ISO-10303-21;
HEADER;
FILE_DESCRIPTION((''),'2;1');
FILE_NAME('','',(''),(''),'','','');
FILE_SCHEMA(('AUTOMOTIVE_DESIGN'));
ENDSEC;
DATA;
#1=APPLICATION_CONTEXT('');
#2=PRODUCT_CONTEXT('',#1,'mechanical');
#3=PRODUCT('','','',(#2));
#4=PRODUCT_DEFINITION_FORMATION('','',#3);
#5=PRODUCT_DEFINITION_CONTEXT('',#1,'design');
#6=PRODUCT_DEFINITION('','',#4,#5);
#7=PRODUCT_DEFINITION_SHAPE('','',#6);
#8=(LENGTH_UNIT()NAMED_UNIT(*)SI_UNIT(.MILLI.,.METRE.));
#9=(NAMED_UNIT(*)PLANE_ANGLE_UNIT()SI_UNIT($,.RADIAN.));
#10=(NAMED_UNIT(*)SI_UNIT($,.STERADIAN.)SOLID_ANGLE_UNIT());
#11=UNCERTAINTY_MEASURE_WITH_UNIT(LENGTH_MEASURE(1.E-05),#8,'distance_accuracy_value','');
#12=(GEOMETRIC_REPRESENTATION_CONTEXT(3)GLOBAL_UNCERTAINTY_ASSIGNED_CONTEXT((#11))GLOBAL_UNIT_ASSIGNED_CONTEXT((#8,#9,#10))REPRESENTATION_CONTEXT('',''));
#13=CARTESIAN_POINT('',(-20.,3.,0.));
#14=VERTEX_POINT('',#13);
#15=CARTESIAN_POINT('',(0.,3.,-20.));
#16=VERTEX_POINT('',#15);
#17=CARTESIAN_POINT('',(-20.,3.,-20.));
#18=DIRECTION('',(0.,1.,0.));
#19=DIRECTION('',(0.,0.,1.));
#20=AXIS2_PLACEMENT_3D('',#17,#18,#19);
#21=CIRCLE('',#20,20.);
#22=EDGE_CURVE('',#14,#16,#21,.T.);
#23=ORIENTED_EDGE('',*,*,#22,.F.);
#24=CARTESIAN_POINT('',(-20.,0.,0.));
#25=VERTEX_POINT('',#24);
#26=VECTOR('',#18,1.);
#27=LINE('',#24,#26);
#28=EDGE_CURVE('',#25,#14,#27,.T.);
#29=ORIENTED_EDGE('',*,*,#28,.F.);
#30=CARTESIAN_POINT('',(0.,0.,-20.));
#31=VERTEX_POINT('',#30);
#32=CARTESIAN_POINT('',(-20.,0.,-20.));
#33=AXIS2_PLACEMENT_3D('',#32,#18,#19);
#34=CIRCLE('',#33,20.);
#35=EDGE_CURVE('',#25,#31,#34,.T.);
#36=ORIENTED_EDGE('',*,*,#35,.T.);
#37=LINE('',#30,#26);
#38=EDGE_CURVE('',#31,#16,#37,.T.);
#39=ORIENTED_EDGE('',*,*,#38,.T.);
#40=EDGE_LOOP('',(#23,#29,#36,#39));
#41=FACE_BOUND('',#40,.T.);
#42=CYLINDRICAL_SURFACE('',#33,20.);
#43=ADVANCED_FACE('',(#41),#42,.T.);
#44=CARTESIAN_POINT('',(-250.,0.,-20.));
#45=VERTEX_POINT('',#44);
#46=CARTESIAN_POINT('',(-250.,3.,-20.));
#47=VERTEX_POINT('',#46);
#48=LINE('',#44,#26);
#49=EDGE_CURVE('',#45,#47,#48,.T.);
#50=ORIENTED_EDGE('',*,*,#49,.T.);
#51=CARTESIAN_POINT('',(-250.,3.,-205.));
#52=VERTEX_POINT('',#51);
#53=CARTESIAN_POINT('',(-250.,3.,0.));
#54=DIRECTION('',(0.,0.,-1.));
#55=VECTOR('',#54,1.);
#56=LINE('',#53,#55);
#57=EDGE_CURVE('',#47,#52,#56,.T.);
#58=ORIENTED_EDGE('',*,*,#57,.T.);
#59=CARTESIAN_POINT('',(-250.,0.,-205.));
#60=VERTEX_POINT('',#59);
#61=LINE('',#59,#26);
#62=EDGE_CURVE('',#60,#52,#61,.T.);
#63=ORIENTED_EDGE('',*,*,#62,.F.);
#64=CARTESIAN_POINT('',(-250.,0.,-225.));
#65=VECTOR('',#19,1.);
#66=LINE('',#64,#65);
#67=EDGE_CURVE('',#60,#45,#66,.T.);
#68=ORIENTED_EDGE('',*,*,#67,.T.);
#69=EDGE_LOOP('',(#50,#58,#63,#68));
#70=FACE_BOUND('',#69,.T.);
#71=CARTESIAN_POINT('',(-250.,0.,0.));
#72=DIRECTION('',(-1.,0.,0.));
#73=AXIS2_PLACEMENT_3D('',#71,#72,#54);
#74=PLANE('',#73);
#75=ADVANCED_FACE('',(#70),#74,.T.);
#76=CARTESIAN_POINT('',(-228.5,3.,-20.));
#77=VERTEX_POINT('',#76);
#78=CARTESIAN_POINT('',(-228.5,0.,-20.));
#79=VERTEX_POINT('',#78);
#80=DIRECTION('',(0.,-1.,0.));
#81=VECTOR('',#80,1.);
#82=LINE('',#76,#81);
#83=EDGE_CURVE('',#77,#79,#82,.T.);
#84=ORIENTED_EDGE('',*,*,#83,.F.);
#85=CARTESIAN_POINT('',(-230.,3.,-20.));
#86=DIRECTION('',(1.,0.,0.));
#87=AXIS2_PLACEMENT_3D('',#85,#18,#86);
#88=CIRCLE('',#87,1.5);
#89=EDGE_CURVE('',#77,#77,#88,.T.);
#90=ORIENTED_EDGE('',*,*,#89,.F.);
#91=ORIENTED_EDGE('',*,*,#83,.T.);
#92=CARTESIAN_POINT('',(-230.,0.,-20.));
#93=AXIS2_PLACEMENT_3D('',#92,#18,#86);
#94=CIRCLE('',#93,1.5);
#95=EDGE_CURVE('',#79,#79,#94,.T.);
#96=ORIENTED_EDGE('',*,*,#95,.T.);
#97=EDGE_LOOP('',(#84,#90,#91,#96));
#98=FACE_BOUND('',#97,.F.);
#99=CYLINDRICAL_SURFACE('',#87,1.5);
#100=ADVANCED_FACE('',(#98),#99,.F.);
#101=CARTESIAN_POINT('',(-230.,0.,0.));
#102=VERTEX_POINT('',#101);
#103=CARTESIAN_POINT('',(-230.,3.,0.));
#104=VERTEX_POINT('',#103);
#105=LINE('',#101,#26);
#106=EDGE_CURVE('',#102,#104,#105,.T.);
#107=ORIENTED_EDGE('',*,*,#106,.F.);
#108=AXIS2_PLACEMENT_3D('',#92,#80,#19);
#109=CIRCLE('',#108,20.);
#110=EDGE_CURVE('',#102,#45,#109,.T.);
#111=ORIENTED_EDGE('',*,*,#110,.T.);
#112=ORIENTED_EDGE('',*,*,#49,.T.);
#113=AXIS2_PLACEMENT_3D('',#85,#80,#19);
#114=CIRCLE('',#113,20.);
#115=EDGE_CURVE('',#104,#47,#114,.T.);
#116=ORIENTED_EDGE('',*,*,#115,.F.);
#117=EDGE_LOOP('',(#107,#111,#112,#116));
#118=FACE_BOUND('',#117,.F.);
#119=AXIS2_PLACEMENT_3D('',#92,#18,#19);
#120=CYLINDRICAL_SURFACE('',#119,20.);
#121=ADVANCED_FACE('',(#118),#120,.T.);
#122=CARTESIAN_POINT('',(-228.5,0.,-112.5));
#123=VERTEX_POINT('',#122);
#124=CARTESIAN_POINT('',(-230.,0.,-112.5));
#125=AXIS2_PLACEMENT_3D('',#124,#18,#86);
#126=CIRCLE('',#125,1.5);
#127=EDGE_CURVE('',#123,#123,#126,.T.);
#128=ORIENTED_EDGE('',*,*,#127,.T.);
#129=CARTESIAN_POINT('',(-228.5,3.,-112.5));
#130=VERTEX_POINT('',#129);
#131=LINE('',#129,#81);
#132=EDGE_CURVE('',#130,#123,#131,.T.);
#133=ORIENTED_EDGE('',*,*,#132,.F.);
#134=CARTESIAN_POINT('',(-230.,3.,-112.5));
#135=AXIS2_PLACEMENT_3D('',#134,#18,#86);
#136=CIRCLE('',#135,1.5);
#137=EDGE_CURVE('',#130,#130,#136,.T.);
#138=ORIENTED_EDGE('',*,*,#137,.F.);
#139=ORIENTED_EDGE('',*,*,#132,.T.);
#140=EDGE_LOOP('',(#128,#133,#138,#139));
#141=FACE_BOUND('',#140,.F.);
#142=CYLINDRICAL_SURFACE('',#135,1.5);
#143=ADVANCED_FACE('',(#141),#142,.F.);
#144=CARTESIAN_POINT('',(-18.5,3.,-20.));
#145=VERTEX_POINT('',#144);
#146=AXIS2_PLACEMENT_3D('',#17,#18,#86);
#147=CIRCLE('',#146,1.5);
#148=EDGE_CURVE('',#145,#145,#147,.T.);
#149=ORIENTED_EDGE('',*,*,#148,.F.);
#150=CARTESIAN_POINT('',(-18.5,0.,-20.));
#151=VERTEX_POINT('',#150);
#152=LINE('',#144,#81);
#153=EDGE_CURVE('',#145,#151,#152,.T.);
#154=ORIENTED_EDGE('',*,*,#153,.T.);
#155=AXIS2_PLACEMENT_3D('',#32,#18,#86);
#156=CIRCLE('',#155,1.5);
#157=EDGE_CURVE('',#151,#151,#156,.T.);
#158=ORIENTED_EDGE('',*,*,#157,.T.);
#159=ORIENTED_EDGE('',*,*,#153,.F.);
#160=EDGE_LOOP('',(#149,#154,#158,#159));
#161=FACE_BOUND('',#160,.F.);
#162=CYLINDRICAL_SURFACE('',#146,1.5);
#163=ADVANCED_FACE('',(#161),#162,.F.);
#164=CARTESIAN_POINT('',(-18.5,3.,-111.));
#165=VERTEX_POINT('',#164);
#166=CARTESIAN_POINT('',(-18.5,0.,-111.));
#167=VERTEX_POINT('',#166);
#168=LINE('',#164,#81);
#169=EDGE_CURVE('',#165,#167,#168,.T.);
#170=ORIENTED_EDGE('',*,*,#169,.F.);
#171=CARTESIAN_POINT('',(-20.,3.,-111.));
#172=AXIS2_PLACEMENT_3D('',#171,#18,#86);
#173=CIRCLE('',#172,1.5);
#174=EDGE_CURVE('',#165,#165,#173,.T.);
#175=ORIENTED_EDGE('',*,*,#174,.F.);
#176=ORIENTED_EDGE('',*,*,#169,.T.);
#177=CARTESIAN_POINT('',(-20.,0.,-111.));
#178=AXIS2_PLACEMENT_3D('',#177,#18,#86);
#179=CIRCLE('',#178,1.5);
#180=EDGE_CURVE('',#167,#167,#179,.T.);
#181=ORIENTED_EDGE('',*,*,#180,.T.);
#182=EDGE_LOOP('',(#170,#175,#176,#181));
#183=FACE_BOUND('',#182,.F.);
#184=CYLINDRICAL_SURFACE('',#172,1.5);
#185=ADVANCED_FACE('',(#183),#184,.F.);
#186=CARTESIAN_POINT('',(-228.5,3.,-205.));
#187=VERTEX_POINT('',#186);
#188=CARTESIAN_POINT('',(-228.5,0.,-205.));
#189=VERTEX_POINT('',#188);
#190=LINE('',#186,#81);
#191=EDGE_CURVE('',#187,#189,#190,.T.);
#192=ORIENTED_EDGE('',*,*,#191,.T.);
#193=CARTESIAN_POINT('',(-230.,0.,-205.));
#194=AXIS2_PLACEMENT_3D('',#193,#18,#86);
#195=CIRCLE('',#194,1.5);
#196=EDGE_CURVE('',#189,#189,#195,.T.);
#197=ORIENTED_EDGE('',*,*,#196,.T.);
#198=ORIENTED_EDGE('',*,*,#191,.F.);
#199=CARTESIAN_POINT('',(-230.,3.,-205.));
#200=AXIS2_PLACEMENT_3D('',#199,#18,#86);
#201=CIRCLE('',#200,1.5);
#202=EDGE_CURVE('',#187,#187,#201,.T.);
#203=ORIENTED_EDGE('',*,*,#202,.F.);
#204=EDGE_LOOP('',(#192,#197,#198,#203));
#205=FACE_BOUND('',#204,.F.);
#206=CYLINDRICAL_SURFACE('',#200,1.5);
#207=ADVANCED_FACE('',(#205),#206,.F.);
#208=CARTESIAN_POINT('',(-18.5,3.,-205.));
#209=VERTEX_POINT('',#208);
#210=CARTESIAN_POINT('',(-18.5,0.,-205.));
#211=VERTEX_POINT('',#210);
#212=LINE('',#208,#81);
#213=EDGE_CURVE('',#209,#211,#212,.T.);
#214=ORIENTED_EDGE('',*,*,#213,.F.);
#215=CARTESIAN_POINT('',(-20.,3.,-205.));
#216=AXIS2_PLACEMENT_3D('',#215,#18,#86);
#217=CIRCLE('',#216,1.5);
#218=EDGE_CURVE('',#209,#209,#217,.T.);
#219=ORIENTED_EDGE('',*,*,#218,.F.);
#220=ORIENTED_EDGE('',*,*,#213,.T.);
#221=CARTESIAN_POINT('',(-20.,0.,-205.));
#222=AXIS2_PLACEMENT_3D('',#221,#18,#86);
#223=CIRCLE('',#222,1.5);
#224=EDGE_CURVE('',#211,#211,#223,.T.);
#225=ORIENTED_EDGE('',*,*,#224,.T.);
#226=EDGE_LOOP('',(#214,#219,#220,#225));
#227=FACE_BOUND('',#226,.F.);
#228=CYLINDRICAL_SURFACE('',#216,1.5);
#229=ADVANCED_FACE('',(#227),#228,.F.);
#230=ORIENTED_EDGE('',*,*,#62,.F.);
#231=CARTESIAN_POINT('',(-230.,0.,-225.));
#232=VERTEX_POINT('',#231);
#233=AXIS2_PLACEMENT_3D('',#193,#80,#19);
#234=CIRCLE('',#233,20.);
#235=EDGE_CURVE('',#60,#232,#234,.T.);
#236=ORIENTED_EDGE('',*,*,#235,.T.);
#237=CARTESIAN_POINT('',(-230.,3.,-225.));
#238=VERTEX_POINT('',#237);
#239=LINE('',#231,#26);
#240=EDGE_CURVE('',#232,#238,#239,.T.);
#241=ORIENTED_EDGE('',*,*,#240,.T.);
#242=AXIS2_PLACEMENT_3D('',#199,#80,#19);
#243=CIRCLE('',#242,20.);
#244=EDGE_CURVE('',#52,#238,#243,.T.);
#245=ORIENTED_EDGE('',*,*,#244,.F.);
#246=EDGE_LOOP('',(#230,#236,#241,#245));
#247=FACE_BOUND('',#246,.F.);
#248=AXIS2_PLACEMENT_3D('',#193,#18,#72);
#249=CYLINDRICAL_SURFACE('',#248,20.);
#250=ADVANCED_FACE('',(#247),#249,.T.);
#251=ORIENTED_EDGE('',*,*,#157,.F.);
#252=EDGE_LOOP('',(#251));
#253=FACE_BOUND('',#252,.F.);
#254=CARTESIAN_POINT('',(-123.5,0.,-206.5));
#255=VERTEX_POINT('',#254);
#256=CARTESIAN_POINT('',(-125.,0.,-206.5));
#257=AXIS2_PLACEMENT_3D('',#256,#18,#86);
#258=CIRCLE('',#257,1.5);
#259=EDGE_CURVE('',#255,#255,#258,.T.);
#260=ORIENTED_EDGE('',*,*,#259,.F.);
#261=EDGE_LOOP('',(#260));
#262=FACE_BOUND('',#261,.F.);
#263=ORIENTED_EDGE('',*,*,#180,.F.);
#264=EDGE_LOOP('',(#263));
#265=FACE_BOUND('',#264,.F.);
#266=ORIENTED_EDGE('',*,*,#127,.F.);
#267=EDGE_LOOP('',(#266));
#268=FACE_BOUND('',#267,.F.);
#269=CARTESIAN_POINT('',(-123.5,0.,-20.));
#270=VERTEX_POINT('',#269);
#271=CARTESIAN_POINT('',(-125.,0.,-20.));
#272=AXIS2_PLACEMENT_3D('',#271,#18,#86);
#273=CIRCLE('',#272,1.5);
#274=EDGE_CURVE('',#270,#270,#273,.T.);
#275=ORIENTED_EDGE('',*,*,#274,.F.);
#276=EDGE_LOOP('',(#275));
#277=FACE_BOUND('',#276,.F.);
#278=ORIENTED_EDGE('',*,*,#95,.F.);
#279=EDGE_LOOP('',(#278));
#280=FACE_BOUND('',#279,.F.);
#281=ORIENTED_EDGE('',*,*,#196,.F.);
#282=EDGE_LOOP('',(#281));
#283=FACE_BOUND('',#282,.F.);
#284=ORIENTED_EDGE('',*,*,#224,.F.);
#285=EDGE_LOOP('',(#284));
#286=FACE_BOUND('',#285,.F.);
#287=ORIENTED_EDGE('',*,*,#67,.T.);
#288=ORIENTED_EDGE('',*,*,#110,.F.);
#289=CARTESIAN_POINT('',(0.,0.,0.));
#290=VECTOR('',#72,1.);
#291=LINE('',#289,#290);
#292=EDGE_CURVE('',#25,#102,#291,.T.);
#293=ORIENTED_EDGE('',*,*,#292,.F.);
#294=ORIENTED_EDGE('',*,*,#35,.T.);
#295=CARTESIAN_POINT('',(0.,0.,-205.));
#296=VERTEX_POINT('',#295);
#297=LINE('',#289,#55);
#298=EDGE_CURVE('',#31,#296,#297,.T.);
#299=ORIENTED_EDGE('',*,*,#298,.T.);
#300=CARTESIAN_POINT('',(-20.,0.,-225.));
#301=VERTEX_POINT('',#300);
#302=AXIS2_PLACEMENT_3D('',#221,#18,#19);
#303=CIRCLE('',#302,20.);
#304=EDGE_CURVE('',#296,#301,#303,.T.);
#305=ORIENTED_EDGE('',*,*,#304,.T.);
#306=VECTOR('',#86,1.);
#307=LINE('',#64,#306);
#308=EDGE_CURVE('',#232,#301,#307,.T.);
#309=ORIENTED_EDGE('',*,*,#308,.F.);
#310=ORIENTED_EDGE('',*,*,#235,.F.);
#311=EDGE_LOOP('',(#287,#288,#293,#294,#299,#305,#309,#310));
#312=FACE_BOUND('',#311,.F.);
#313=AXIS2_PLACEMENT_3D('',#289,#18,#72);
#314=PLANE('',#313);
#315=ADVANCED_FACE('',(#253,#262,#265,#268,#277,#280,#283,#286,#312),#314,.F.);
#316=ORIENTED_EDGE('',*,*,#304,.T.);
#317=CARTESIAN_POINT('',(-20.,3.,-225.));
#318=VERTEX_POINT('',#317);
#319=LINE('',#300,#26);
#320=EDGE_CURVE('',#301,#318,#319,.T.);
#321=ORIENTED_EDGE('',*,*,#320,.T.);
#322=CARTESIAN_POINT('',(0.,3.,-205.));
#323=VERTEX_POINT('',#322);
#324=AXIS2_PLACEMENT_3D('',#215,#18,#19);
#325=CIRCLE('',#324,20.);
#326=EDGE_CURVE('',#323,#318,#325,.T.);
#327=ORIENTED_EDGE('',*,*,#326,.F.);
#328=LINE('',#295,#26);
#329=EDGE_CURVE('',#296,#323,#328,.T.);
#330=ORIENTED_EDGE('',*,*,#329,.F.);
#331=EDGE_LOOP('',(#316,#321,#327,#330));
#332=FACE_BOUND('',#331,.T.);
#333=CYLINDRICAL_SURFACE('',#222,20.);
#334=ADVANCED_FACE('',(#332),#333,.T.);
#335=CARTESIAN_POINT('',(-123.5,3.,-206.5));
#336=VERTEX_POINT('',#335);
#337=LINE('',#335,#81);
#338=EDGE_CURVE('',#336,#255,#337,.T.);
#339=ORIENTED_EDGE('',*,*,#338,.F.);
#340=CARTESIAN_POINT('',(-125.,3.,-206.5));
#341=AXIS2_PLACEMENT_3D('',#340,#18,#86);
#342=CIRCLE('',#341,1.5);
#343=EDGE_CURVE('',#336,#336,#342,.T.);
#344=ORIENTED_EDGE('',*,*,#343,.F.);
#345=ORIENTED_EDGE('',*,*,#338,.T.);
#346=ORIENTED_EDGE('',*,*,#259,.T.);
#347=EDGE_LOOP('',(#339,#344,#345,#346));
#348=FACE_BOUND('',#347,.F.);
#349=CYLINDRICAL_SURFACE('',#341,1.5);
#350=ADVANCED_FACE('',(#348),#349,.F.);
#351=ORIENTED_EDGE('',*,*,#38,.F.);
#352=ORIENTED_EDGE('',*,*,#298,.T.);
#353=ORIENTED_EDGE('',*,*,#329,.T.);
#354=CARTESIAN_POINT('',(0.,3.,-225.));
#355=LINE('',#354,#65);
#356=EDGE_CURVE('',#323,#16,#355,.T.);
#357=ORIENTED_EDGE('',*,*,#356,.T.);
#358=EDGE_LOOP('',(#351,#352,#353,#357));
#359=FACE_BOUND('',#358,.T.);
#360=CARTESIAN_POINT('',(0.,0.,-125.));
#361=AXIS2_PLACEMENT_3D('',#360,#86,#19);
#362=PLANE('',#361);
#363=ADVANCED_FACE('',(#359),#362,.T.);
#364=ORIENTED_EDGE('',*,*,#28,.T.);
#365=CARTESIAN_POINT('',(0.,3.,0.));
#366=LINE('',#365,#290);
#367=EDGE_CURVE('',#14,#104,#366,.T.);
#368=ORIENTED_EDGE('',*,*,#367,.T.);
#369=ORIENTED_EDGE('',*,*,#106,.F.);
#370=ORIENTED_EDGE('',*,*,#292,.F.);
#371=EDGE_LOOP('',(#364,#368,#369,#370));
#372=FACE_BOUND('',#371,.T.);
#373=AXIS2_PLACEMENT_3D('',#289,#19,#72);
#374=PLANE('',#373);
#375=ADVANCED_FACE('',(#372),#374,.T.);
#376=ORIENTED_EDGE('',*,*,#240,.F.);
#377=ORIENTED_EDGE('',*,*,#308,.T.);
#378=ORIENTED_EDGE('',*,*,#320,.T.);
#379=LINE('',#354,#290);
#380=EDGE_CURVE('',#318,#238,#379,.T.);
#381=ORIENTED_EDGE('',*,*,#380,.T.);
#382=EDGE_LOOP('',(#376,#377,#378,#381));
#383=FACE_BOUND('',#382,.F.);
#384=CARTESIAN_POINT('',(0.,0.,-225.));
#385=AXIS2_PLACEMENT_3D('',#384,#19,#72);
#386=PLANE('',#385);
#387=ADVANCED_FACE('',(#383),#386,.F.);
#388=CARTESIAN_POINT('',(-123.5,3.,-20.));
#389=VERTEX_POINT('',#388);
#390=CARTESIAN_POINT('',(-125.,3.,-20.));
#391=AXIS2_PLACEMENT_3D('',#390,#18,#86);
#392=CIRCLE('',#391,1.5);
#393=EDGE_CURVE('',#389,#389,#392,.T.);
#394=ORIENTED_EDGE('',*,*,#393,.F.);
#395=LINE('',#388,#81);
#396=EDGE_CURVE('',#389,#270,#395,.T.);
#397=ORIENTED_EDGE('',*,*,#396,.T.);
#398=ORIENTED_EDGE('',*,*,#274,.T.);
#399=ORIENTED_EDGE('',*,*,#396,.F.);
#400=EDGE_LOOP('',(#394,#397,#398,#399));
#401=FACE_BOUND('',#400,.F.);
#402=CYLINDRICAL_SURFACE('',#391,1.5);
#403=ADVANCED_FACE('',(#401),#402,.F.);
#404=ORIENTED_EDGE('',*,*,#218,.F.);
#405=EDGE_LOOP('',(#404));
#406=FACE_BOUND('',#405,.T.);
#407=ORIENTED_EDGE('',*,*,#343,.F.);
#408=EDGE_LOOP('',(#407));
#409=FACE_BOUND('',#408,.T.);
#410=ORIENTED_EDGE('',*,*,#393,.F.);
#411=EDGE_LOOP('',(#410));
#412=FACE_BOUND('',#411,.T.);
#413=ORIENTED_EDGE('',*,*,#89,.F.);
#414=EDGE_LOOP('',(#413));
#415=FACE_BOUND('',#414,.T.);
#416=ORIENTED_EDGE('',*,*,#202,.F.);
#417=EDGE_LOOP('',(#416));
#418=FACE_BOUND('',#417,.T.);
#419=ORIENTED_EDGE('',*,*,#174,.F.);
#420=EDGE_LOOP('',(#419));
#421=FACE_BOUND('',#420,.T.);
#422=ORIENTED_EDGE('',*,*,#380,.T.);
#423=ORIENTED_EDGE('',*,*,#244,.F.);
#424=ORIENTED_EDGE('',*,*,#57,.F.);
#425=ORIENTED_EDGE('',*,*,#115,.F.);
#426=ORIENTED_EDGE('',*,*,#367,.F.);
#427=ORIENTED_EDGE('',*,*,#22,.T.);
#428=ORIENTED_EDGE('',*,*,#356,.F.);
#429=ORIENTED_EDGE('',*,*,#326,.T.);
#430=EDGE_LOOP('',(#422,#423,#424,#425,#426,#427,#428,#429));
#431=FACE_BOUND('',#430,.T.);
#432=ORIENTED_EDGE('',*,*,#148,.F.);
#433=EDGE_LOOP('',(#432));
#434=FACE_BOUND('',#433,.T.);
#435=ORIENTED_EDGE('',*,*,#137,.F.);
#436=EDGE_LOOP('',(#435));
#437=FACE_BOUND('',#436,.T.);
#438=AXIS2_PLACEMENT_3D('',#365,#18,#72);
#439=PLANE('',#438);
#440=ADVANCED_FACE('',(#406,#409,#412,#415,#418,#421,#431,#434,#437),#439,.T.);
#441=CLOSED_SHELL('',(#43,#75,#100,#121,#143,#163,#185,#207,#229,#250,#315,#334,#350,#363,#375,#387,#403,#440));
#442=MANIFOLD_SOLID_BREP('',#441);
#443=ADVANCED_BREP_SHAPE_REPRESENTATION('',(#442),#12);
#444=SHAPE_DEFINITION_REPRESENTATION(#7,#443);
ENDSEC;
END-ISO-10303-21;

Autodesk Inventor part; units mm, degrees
ref_plane "YZ Plane" through (0, 0, 0) normal (1, 0, 0) x (0, 1, 0)
ref_plane "XZ Plane" through (0, 0, 0) normal (0, 1, 0) x (-1, 0, 0)
ref_plane "XY Plane" through (0, 0, 0) normal (0, 0, 1) x (1, 0, 0)
sketch "Sketch2" plane through (0, 0, 0) normal (0, 1, 0) x (-1, 0, 0)
  line L0 (0, 0) -> (250, 0)
  line L1 (250, 0) -> (250, -125)
  line L2 (0, -125) -> (0, 0)
  line L3 (125, 0) -> (125, -125) construction
  line L4 (125, -125) -> (200, -125)
  line L5 (200, -125) -> (200, -225)
  line L6 (200, -225) -> (125, -225)
  line L7 (125, -225) -> (125, -125) construction
  line L8 (125, -125) -> (50, -125)
  line L9 (50, -125) -> (50, -225)
  line L10 (50, -225) -> (125, -225)
  line L11 (125, -225) -> (125, -125) construction
  line L12 (200, -125) -> (250, -125)
  line L13 (0, -125) -> (50, -125)
  line L14 (250, 0) -> (0, 0)
  line L15 (0, 0) -> (0, -225)
  line L16 (0, -225) -> (250, -225)
  line L17 (250, -225) -> (250, 0)
  dimension "d36" = 250
  dimension "d37" = 125
  dimension "d38" = 75
  dimension "d39" = 100
  dimension "d40" = 75
  dimension "d41" = 100
extrude "Extrusion3" add sketch "Sketch2" along normal blind 3
fillet "Fillet4" radius 20 2 edges at (-250, 1.5, 0) (0, 1.5, 0)
fillet "Fillet6" radius 20 2 edges at (-250, 1.5, -225) (0, 1.5, -225)
sketch "Sketch4" plane through (0, 3, 0) normal (0, 1, 0) x (1, 0, 0)
  arc A0 (-20, 0) -> (0, 20) centre (-20, 20) ccw projected
  arc A1 (-250, 20) -> (-230, 0) centre (-230, 20) ccw projected
  arc A2 (-230, 225) -> (-250, 205) centre (-230, 205) ccw projected
  arc A3 (0, 205) -> (-20, 225) centre (-20, 205) ccw projected
  line L0 (-20, 20) -> (-20, 205) construction
  line L1 (-230, 20) -> (-230, 205) construction
  circle A4 centre (-230, 20) radius 1.5
  circle A5 centre (-20, 20) radius 1.5
  circle A6 centre (-20, 205) radius 1.5
  circle A7 centre (-230, 205) radius 1.5
  circle A8 centre (-125, 206.5) radius 1.5
  line L2 (-20, 225) -> (-230, 225) construction
  line L3 (-125, 225) -> (-125, 0) construction
  circle A9 centre (-125, 20) radius 1.5
  circle A10 centre (-230, 112.5) radius 1.5
  circle A11 centre (-20, 111) radius 1.5
  point P0 (0, 0)
  dimension "d65" = 3
  dimension "d67" = 3
  dimension "d68" = 3
  dimension "d70" = 3
  dimension "d72" = 3
  dimension "d73" = 3
  dimension "d74" = 3
  dimension "d75" = 3
extrude "Extrusion5" cut sketch "Sketch4" against normal blind 3
properties part number "Chassis Top Plate"
